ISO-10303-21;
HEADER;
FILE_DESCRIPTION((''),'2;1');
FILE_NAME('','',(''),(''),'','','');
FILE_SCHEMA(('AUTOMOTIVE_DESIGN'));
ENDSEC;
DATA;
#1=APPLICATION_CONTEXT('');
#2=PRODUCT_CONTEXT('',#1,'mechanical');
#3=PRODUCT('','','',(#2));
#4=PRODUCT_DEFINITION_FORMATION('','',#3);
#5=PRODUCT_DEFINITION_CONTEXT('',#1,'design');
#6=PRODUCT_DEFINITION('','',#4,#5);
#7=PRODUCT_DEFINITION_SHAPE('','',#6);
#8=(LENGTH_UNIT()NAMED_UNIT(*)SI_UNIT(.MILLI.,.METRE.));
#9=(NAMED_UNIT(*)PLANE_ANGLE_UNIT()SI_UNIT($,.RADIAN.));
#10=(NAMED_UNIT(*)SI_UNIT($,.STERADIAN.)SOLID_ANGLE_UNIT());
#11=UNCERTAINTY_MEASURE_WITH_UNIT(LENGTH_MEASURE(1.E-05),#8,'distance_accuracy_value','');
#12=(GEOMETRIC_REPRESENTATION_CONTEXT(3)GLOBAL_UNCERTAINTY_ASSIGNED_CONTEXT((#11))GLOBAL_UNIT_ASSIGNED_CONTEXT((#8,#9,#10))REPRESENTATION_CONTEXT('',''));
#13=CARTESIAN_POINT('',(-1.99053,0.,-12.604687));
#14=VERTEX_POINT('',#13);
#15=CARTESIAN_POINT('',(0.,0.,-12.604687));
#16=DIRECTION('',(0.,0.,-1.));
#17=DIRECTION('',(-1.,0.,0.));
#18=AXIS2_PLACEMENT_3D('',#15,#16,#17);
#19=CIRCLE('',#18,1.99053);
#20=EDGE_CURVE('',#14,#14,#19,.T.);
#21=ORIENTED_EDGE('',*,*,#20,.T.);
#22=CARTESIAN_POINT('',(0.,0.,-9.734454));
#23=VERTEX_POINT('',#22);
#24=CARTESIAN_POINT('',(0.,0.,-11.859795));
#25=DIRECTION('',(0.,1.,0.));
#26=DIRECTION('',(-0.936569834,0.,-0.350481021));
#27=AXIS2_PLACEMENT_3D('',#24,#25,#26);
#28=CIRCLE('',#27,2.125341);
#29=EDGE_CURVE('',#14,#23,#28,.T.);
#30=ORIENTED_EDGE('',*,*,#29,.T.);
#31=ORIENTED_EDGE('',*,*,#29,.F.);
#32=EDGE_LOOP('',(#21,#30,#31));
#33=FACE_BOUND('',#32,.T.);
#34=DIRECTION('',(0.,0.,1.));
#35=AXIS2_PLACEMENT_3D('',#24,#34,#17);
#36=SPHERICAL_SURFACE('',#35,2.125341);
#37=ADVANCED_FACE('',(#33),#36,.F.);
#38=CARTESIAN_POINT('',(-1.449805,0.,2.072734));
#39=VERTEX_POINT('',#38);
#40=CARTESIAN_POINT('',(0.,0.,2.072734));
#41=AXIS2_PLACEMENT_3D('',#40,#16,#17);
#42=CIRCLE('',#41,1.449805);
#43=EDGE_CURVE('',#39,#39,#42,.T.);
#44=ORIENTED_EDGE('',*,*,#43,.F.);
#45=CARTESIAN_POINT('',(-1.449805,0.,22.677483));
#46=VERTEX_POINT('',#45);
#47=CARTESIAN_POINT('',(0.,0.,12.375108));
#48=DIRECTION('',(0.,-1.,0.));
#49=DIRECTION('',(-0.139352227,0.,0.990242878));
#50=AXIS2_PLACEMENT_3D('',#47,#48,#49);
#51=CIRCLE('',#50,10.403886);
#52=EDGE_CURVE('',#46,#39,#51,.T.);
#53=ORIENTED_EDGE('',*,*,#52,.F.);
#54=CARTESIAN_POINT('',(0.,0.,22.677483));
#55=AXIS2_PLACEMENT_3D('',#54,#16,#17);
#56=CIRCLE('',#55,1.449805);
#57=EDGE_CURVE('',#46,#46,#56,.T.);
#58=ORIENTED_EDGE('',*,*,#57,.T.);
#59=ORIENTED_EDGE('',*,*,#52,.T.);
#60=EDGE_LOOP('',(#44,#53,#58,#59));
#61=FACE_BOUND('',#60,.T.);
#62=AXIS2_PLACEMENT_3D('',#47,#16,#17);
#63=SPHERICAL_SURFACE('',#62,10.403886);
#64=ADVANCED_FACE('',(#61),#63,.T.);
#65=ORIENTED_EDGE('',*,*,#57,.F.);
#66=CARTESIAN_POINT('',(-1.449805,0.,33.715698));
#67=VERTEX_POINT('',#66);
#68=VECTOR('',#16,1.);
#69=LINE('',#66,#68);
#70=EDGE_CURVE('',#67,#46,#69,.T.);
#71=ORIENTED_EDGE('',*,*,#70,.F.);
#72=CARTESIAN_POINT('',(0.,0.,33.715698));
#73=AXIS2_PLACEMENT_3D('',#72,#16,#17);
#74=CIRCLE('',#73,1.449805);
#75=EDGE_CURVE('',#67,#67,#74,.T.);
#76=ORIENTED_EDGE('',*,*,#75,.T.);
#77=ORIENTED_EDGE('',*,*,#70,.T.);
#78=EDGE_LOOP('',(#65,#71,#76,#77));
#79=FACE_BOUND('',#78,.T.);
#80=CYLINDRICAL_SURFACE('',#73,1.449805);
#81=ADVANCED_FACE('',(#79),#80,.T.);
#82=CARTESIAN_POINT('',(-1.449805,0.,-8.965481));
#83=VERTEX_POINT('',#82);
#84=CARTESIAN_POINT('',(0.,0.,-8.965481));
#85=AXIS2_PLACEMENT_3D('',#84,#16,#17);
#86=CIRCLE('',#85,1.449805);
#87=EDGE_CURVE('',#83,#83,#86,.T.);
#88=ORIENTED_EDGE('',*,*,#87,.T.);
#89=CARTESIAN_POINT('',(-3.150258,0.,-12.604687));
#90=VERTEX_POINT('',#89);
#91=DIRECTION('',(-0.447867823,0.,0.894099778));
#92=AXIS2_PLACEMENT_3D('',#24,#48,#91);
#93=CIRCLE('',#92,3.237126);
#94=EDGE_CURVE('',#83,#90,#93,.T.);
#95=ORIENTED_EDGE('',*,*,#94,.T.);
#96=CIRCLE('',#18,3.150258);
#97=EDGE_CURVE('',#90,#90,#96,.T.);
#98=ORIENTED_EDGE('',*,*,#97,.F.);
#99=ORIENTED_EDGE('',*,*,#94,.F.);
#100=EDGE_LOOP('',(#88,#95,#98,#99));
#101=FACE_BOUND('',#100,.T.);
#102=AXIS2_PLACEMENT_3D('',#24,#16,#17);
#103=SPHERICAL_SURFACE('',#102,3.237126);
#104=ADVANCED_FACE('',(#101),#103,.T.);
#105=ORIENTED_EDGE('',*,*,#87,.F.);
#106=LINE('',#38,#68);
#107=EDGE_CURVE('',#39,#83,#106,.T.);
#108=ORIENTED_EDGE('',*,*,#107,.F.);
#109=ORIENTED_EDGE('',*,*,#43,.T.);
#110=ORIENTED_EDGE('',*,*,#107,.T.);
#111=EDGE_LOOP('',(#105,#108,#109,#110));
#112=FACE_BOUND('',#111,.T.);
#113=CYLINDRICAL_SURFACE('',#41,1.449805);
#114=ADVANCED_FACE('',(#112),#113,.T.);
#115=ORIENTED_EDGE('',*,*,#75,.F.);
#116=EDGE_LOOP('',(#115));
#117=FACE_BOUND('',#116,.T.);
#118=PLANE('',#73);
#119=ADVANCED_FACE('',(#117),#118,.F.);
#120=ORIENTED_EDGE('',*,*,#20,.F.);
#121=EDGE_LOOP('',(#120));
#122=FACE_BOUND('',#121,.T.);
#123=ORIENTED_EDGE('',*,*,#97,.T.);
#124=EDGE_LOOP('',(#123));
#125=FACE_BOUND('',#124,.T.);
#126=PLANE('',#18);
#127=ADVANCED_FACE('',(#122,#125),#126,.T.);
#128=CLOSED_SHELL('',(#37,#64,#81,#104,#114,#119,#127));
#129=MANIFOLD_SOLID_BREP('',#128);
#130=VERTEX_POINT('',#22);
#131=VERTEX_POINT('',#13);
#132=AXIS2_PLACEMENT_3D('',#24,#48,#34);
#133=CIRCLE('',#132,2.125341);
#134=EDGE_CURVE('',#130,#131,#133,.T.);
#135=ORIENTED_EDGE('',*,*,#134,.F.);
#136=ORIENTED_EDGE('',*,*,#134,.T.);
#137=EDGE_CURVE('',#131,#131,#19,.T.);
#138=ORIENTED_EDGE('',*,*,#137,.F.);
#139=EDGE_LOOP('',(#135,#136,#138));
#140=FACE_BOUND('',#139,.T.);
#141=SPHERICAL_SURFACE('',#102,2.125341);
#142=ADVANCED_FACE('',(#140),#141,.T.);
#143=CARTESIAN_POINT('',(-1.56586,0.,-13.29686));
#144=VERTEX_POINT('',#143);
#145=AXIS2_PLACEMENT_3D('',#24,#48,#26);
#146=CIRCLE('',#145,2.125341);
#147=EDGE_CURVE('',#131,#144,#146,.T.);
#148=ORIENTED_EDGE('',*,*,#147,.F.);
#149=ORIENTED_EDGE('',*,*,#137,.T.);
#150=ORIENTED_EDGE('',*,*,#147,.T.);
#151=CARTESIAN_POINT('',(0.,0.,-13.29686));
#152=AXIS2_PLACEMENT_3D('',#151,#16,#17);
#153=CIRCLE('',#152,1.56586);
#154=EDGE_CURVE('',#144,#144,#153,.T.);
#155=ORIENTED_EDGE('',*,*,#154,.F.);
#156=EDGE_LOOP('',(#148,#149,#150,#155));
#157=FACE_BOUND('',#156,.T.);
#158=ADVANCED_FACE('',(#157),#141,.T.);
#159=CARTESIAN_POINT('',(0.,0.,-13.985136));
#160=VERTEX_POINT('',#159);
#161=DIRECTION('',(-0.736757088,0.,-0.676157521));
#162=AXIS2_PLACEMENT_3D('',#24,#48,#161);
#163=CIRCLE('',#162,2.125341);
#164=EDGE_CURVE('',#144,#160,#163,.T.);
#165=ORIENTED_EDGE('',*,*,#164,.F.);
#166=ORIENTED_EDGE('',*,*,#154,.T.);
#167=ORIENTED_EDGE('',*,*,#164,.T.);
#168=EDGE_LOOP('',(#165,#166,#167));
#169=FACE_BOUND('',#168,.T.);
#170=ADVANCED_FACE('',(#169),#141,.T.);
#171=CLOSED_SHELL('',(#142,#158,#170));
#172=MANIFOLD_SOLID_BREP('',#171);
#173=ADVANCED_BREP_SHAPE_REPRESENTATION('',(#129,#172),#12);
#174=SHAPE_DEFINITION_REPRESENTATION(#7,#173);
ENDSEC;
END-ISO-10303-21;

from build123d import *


with BuildPart() as f1:
    # F0 (on Front) → F1 (revolve)
    with BuildSketch(Plane.XZ):
        with BuildLine():
            Line((-1.4498047531, 2.072733763), (-1.4498047531, 22.677482729))
            ThreePointArc((-1.4498047531, 22.677482729), (-10.4038864762, 12.375108246), (-1.4498047531, 2.072733763))
        make_face()
        with BuildLine():
            Line((0, 1.9712217698), (0, 22.7789947222))
            ThreePointArc((0, 22.7789947222), (-0.7266771131, 22.7535856962), (-1.4498047531, 22.677482729))
            Line((-1.4498047531, 22.677482729), (-1.4498047531, 2.072733763))
            ThreePointArc((-1.4498047531, 2.072733763), (-0.7266771131, 1.9966307959), (0, 1.9712217698))
        make_face()
        with BuildLine():
            Line((0, 22.7789947222), (0, 33.7156975647))
            Line((0, 33.7156975647), (-1.4498047531, 33.7156975647))
            Line((-1.4498047531, 33.7156975647), (-1.4498047531, 22.677482729))
            ThreePointArc((-1.4498047531, 22.677482729), (-0.7266771131, 22.7535856962), (0, 22.7789947222))
        make_face()
        with BuildLine():
            Line((0, -8.622668669), (0, 1.9712217698))
            ThreePointArc((0, 1.9712217698), (-0.7266771131, 1.9966307959), (-1.4498047531, 2.072733763))
            Line((-1.4498047531, 2.072733763), (-1.4498047531, -8.9654810727))
            Line((-1.4498047531, -8.9654810727), (0, -8.9654810727))
            Line((0, -8.9654810727), (0, -8.622668669))
        make_face()
        with BuildLine():
            Line((0, -9.734454224), (0, -8.9654810727))
            Line((0, -8.9654810727), (-1.4498047531, -8.9654810727))
            ThreePointArc((-1.4498047531, -8.9654810727), (-2.9327628832, -10.4894340912), (-3.150257736, -12.6046867021))
            Line((-3.150257736, -12.6046867021), (-1.9905301243, -12.6046867021))
            ThreePointArc((-1.9905301243, -12.6046867021), (-1.7464567454, -10.6486127755), (0, -9.734454224))
        make_face()
    revolve(axis=Axis((0, 0, 12.375108246), (0, 0, -1)))


with BuildPart() as f2:
    # F0 (on Front) → F2 (revolve)
    with BuildSketch(Plane.XZ):
        with BuildLine():
            Line((0, -13.2968602702), (0, -12.6046867021))
            Line((0, -12.6046867021), (-1.9905301243, -12.6046867021))
            ThreePointArc((-1.9905301243, -12.6046867021), (-1.8115611012, -12.9712446178), (-1.5658599336, -13.2968602702))
            Line((-1.5658599336, -13.2968602702), (0, -13.2968602702))
        make_face()
        with BuildLine():
            Line((0, -13.9851359187), (0, -13.2968602702))
            Line((0, -13.2968602702), (-1.5658599336, -13.2968602702))
            ThreePointArc((-1.5658599336, -13.2968602702), (-0.8552252189, -13.8054732417), (0, -13.9851359187))
        make_face()
        with BuildLine():
            Line((0, -12.6046867021), (0, -9.734454224))
            ThreePointArc((0, -9.734454224), (-1.7464567454, -10.6486127755), (-1.9905301243, -12.6046867021))
            Line((-1.9905301243, -12.6046867021), (0, -12.6046867021))
        make_face()
    revolve(axis=Axis((0, 0, -11.8597950714), (0, 0, -1)))


solid = Compound([f1.part, f2.part])
